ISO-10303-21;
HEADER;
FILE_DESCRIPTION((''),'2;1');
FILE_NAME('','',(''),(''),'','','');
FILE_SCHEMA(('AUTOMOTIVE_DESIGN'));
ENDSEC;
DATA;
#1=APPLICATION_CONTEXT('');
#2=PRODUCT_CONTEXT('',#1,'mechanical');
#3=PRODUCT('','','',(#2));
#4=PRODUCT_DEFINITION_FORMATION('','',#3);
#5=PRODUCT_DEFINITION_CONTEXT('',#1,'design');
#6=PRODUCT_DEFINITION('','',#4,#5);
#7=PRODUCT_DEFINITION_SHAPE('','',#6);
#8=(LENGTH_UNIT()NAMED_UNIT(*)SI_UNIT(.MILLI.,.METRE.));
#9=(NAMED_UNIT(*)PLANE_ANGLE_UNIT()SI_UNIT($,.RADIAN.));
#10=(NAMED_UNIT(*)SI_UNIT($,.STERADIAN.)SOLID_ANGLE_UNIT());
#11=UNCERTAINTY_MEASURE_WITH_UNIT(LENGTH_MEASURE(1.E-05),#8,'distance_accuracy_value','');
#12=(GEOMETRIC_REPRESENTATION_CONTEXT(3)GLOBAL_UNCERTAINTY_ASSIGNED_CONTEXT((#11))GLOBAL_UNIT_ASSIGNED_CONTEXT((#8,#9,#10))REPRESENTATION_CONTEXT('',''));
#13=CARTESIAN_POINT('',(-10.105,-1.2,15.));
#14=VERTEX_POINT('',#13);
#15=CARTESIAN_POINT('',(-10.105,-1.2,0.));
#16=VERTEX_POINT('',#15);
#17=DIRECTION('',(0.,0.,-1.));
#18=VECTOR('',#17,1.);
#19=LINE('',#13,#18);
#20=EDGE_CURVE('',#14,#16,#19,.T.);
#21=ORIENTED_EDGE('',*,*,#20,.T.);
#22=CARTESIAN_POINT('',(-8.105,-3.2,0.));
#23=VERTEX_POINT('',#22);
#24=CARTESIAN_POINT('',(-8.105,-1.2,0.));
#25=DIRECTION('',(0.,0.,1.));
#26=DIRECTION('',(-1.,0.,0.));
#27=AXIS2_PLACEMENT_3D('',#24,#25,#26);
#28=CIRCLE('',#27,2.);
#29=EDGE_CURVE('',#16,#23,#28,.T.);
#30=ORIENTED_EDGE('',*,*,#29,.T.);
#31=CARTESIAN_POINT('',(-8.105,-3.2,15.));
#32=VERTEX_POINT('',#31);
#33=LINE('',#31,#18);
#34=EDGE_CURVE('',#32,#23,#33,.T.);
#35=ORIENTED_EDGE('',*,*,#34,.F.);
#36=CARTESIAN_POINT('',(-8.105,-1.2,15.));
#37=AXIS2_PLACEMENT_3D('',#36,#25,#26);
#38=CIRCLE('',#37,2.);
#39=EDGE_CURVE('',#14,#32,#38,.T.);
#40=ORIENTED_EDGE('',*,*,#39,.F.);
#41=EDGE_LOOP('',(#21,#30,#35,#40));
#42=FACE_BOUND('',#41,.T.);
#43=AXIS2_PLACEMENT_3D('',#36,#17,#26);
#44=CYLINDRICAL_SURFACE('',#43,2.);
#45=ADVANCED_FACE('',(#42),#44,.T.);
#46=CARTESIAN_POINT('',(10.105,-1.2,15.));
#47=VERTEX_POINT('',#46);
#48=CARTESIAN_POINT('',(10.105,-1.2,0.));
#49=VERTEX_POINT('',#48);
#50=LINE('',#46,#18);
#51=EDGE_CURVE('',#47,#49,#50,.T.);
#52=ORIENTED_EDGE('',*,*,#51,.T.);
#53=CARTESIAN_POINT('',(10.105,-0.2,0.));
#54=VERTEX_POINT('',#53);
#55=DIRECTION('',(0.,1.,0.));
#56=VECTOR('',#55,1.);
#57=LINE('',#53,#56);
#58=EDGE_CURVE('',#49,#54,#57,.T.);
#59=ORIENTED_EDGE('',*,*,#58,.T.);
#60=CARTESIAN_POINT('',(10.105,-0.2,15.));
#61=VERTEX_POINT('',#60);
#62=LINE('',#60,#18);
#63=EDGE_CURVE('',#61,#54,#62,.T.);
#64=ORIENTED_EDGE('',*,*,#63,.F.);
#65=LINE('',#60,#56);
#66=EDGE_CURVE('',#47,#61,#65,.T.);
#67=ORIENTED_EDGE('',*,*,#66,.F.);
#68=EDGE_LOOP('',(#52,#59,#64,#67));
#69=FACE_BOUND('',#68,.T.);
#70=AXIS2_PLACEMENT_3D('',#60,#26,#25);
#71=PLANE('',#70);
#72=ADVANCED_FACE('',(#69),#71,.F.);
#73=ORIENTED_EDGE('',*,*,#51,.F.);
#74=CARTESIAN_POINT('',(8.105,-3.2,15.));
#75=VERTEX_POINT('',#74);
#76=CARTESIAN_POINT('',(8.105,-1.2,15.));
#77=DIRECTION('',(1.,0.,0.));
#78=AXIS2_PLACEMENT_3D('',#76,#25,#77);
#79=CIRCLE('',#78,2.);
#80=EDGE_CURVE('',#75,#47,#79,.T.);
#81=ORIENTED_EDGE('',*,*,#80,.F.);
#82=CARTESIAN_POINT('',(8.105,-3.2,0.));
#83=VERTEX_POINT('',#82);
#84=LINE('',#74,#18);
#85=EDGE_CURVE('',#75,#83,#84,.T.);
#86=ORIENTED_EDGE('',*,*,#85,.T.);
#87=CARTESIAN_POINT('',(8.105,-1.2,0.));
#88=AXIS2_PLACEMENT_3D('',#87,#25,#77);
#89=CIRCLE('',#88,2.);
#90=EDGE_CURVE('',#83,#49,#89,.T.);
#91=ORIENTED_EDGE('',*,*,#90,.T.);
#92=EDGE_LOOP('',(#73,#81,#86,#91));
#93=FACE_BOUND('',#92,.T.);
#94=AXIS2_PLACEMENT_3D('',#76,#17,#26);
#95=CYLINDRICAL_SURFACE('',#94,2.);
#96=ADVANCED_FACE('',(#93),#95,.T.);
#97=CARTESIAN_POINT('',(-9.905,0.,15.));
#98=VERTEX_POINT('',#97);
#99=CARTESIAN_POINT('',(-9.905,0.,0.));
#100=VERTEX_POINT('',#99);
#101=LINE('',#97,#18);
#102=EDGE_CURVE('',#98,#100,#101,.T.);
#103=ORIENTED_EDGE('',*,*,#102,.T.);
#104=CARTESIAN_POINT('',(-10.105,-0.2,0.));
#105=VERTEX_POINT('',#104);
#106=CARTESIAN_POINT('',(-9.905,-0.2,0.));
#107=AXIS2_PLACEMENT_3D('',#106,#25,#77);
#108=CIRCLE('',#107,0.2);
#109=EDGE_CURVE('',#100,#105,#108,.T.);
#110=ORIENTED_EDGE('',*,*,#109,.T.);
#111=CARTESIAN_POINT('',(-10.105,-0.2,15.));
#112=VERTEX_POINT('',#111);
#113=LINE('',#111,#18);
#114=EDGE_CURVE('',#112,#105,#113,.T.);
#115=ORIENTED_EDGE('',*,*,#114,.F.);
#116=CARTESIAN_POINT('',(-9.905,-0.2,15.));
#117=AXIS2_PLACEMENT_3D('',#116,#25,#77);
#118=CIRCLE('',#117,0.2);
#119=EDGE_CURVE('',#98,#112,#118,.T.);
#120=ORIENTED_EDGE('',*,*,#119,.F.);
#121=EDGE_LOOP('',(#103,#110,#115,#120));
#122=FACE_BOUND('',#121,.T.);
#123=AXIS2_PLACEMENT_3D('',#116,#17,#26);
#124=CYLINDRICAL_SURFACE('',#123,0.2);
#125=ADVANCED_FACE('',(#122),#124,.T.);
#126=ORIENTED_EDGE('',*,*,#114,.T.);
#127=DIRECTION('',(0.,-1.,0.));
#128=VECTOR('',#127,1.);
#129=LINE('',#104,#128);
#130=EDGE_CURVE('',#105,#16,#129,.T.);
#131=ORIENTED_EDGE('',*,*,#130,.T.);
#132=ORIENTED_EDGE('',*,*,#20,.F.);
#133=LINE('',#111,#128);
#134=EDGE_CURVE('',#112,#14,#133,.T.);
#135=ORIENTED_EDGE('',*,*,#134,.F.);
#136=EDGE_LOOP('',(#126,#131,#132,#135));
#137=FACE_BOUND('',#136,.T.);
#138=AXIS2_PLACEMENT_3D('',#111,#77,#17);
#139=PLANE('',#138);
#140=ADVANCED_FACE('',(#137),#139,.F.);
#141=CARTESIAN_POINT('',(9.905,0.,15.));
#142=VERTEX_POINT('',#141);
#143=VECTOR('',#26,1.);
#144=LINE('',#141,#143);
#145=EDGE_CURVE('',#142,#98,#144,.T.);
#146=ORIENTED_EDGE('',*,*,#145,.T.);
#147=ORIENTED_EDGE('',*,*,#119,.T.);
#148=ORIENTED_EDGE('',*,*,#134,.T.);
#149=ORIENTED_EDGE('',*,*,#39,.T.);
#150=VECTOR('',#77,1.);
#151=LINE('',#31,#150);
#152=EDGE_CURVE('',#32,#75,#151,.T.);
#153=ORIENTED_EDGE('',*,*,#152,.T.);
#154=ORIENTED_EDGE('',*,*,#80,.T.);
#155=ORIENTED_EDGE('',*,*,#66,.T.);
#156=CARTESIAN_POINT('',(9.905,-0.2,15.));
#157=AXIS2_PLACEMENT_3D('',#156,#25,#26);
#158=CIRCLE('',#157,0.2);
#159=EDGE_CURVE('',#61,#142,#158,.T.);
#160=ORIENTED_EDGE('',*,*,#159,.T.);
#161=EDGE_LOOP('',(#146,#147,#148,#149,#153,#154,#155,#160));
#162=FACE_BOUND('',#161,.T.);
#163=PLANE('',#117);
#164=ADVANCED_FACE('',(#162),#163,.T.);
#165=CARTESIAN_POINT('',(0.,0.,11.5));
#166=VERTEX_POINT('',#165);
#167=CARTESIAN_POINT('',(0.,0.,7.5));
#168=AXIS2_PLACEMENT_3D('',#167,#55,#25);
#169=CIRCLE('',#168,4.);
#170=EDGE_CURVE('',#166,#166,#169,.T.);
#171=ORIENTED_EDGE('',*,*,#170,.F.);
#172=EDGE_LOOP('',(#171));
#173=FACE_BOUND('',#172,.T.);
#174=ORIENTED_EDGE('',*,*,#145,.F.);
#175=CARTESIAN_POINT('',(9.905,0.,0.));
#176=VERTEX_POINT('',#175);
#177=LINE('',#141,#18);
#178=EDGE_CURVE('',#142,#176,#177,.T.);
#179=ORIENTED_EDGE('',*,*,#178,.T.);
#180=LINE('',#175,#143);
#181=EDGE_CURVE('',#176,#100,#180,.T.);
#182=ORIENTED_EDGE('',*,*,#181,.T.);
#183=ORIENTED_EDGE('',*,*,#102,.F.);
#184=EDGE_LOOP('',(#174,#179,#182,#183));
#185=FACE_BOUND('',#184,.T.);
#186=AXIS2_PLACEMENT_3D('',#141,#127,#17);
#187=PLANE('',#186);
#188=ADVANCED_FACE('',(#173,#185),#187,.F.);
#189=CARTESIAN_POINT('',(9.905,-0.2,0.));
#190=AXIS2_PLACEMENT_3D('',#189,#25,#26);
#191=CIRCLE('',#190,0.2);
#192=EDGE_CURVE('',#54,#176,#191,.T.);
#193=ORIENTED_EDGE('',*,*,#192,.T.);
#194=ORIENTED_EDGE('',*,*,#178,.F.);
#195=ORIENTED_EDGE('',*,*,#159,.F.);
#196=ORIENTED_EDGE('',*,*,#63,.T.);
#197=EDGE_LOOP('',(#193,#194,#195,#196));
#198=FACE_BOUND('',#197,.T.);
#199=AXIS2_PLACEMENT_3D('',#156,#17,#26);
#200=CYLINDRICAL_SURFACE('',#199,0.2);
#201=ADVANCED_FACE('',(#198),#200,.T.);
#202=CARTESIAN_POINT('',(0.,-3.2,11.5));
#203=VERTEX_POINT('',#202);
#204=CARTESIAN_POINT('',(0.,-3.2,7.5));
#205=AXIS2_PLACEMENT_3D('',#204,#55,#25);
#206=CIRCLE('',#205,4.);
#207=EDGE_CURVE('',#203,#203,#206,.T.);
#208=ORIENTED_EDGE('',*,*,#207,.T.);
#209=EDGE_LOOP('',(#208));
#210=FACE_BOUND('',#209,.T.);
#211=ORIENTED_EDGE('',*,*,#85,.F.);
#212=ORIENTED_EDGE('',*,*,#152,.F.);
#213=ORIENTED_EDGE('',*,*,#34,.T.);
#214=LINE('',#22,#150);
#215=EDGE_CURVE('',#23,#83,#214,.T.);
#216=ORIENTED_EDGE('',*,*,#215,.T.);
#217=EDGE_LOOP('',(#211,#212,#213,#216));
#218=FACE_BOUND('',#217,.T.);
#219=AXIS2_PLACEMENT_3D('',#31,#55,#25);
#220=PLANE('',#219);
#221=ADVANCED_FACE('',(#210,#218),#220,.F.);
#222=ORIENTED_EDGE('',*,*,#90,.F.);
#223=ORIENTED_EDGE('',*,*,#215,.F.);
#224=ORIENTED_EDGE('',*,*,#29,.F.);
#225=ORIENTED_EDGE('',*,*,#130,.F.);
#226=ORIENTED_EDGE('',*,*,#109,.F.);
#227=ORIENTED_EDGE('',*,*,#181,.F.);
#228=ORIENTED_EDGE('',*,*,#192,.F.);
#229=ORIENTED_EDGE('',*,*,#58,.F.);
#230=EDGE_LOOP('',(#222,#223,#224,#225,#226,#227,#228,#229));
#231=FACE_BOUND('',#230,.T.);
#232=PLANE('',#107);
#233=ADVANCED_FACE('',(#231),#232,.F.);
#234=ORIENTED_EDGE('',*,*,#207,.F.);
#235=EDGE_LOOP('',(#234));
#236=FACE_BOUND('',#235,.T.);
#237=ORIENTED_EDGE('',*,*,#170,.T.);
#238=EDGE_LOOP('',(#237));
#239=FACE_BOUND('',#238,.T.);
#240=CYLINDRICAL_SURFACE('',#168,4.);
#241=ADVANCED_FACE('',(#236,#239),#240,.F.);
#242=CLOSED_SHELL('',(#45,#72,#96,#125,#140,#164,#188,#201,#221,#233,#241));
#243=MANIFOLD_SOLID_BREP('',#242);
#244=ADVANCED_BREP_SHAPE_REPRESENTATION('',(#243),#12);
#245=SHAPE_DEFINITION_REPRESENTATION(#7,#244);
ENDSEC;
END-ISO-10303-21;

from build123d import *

# Parameters (mm, degrees)
BOSS_EXTRUDE1_DEPTH   = 15
F_8_0MM_DOWEL_HOLE1_D = 8


with BuildPart() as part:
    # Sketch1 → Boss-Extrude1 (new body)
    with BuildSketch(Plane.XY):
        with BuildLine():
            Line((9.905, 0), (-9.905, 0))
            ThreePointArc((-9.905, 0), (-10.046421356, -0.058578644), (-10.105, -0.2))
            Line((-10.105, -0.2), (-10.105, -1.2))
            ThreePointArc((-10.105, -1.2), (-9.519213562, -2.614213562), (-8.105, -3.2))
            Line((-8.105, -3.2), (8.105, -3.2))
            ThreePointArc((8.105, -3.2), (9.519213562, -2.614213562), (10.105, -1.2))
            Line((10.105, -1.2), (10.105, -0.2))
            ThreePointArc((10.105, -0.2), (10.046421356, -0.058578644), (9.905, 0))
        make_face()
    extrude(amount=BOSS_EXTRUDE1_DEPTH)

    # Ø8.0mm Dowel Hole1 (through all)
    with Locations(Plane(origin=(0, 0, 0), x_dir=(1, 0, 0), z_dir=(0, 1, 0))):
        with Locations((0, -7.5)):
            Hole(F_8_0MM_DOWEL_HOLE1_D / 2)


solid = part.part
